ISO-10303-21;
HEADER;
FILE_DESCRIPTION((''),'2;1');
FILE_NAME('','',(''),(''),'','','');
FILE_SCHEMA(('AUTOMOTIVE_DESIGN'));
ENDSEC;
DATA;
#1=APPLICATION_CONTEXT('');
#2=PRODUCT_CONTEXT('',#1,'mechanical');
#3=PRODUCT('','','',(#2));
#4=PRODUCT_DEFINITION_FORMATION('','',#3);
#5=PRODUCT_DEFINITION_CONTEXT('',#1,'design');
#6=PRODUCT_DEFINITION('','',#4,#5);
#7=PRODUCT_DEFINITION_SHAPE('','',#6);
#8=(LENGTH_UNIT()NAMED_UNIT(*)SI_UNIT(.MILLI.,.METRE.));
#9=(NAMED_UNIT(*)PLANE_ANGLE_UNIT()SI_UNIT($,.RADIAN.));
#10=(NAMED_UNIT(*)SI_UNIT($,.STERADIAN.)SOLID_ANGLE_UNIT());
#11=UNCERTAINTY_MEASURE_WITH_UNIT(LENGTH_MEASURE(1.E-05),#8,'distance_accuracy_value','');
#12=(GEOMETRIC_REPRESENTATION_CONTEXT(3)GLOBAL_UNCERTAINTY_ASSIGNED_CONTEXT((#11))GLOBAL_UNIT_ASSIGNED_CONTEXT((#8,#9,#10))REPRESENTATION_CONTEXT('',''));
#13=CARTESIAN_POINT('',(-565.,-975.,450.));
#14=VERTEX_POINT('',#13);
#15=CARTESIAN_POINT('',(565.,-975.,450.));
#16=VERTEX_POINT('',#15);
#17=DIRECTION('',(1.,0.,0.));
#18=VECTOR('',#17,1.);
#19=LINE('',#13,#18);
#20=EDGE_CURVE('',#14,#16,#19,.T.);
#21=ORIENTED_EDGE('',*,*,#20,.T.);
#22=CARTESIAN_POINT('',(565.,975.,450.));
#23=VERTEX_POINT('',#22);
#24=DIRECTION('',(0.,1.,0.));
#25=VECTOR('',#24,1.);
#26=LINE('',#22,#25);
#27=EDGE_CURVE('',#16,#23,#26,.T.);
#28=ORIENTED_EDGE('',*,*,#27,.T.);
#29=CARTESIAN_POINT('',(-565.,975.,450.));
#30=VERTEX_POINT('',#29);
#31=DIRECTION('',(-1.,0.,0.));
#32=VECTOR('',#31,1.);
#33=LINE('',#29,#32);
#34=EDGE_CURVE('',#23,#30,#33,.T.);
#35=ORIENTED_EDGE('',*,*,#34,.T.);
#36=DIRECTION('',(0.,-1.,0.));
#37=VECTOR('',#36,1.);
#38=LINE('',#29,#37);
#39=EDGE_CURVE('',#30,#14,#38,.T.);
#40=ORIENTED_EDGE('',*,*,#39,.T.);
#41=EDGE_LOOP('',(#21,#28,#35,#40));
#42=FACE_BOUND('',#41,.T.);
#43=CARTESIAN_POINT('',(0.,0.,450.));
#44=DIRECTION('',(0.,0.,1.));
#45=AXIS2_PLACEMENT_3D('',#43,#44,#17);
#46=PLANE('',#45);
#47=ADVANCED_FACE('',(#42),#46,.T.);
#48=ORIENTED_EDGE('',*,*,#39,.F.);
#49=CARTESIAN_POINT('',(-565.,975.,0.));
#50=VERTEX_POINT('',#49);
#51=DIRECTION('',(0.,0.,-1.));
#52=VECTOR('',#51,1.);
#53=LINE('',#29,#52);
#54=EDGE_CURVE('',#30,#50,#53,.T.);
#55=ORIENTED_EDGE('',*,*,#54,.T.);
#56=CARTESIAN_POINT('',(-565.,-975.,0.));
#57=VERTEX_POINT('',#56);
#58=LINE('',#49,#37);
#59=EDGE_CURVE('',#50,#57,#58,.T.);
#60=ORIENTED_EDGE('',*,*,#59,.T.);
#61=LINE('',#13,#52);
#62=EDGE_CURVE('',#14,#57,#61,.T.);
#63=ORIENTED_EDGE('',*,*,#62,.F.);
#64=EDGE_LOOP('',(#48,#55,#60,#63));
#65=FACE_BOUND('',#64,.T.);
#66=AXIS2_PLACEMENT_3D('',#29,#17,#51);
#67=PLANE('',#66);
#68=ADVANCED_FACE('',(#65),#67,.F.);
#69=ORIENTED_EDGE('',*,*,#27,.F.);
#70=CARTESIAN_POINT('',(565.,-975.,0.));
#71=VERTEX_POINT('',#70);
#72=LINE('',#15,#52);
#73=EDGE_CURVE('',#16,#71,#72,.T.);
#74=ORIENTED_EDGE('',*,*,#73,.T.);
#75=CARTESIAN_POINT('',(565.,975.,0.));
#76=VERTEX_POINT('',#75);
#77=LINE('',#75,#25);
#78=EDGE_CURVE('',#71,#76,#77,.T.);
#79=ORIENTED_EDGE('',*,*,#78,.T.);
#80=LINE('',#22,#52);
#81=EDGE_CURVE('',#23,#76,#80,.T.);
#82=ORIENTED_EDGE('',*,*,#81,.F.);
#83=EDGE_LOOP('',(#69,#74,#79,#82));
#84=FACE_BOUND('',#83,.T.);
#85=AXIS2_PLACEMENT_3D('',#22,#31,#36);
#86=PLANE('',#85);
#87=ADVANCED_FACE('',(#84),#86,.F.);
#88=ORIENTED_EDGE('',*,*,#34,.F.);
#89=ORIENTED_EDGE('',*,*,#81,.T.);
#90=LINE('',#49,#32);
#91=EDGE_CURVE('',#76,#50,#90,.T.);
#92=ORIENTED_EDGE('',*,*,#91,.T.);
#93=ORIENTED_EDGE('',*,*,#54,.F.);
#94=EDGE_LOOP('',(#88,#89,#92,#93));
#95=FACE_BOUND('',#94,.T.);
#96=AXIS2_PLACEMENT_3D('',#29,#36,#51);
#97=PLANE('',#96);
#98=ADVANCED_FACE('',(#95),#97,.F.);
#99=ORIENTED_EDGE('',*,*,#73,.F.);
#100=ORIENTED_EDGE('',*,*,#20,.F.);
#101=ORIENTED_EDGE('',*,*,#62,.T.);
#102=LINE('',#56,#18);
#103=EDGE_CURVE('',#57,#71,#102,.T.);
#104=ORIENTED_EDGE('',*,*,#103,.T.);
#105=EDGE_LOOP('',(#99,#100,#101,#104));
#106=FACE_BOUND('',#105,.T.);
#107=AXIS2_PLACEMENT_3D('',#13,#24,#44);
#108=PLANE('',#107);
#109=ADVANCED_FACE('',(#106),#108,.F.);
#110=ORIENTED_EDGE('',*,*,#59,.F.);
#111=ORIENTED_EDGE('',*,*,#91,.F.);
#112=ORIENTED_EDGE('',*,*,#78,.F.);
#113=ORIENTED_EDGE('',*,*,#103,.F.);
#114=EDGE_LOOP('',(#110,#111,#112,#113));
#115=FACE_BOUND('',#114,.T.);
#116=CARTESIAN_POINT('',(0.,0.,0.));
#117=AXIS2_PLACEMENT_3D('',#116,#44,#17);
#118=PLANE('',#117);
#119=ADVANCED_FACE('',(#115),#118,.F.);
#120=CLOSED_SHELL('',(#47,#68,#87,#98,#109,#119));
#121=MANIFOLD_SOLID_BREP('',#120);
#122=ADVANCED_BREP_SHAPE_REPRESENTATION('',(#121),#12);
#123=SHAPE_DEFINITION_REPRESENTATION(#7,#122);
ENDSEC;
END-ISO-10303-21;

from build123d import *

# Parameters (mm, degrees)
SKETCH_1_W      = 1130
SKETCH_1_H      = 1950
EXTRUDE_1_DEPTH = 450


with BuildPart() as part:
    # Эскиз1 → Бобышка-Вытянуть1 (new body)
    with BuildSketch(Plane.XY):
        Rectangle(SKETCH_1_W, SKETCH_1_H)
    extrude(amount=EXTRUDE_1_DEPTH)


solid = part.part
